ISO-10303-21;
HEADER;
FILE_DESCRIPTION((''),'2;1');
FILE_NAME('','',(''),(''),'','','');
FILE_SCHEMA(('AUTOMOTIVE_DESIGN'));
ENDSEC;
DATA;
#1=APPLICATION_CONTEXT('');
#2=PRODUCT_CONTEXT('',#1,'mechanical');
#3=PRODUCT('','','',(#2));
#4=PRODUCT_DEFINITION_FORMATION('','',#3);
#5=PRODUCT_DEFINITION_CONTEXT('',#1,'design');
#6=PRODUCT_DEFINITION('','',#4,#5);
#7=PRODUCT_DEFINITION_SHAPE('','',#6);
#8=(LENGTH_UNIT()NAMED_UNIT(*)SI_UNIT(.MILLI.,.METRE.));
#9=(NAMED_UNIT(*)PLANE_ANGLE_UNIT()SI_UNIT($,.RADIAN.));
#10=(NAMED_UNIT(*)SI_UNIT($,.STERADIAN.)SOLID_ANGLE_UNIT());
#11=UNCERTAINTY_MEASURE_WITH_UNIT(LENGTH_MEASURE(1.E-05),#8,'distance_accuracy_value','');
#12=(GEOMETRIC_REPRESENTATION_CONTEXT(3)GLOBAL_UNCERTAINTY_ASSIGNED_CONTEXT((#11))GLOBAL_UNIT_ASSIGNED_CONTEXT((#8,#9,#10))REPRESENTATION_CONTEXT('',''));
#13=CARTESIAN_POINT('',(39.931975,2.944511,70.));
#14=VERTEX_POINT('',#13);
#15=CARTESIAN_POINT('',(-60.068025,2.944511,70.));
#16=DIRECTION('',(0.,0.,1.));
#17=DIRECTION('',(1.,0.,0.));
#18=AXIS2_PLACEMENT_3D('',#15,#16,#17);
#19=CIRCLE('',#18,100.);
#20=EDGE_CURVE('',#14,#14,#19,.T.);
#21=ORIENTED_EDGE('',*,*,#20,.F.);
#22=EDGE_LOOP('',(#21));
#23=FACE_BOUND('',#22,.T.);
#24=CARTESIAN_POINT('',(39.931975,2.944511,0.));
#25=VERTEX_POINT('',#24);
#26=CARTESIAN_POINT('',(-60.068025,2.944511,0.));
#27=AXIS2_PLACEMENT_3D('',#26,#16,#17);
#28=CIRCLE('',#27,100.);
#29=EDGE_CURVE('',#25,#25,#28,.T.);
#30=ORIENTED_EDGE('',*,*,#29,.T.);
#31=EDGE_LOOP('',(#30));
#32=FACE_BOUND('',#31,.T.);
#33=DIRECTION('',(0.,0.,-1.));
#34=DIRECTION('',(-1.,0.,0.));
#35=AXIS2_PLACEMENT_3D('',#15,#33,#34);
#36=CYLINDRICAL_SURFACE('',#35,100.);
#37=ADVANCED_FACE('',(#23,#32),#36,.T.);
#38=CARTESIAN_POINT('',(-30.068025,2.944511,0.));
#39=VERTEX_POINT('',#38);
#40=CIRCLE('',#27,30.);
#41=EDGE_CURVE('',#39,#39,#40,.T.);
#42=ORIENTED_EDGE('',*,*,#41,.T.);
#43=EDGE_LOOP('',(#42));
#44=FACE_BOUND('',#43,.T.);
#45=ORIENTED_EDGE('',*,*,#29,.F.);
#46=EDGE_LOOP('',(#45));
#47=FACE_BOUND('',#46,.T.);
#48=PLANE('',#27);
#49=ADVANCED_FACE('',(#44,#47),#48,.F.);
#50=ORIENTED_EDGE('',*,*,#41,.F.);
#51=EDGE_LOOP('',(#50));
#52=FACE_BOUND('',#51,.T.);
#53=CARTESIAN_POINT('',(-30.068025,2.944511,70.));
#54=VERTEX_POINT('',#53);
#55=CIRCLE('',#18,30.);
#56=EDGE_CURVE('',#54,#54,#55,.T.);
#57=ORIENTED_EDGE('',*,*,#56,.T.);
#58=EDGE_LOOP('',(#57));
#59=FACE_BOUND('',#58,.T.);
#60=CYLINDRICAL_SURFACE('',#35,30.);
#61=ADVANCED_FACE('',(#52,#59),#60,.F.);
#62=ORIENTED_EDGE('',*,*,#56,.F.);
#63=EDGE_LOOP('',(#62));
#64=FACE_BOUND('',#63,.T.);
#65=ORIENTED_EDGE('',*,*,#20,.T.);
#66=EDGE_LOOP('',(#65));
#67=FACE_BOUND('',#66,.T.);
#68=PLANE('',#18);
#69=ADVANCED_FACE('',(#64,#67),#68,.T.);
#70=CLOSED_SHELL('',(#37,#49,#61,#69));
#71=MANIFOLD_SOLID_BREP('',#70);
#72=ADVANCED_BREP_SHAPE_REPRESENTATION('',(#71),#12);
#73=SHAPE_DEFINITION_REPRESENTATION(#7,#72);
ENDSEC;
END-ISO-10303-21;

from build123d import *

# Parameters (mm, degrees)
SKETCH2_R           = 100
SKETCH2_R_2         = 30
BOSS_EXTRUDE1_DEPTH = 70


with BuildPart() as part:
    # Sketch2 → Boss-Extrude1 (new body)
    with BuildSketch(Plane.XY):
        with Locations((-60.068025197, 2.944511039)):
            Circle(SKETCH2_R)
        with Locations((-60.068025197, 2.944511039)):
            Circle(SKETCH2_R_2, mode=Mode.SUBTRACT)
    extrude(amount=BOSS_EXTRUDE1_DEPTH)


solid = part.part
